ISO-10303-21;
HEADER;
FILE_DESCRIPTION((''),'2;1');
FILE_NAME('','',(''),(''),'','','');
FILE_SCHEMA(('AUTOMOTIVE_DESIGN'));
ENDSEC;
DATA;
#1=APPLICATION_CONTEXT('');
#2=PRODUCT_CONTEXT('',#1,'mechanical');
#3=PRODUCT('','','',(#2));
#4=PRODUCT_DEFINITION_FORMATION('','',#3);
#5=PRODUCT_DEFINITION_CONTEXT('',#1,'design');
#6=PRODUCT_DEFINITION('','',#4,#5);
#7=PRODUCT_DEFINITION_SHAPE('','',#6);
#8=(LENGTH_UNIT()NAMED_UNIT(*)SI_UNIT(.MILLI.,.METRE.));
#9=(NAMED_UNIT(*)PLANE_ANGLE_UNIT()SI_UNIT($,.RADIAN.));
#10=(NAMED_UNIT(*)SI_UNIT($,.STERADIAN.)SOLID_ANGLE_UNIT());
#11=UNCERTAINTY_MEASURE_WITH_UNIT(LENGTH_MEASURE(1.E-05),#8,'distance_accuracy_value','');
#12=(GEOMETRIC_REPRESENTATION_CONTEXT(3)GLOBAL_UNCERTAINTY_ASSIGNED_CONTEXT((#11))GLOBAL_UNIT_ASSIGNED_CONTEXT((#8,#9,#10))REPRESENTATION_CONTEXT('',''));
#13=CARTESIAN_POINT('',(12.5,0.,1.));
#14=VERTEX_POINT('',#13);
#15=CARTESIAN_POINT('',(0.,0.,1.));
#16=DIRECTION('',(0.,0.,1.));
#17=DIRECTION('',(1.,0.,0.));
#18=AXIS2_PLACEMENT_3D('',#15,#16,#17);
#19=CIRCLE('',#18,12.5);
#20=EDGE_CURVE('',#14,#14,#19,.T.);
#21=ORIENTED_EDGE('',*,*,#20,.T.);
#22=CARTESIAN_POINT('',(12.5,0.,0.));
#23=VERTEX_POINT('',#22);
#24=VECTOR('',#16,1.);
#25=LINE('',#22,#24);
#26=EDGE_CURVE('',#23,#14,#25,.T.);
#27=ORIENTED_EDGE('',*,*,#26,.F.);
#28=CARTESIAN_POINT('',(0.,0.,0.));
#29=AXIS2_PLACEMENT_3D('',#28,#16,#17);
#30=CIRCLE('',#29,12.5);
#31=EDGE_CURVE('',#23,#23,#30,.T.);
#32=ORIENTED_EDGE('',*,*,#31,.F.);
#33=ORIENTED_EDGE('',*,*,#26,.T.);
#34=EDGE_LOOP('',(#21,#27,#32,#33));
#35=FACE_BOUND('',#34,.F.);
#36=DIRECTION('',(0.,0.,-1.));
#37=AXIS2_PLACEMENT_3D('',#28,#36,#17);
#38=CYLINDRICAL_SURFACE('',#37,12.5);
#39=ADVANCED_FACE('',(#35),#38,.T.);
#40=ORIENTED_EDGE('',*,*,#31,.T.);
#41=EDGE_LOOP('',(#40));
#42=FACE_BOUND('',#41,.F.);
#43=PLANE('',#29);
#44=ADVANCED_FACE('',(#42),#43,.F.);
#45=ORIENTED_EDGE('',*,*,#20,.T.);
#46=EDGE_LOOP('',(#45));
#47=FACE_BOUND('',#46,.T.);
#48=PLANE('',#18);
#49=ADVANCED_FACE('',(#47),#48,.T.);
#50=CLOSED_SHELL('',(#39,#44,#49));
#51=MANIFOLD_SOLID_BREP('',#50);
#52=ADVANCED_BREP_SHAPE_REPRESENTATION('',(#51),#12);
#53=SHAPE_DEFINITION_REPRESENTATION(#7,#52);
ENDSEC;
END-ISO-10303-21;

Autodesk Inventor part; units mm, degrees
ref_plane "YZ Plane" through (0, 0, 0) normal (1, 0, 0) x (0, 1, 0)
ref_plane "XZ Plane" through (0, 0, 0) normal (0, 1, 0) x (-1, 0, 0)
ref_plane "Work Plane1" through (0, 0, 0) normal (0, 0, 1) x (1, 0, 0)
sketch "Sketch1" plane through (0, 0, 0) normal (0, 0, 1) x (1, 0, 0)
  circle A0 centre (0, 0) radius 11 construction
  circle A1 centre (0, 0) radius 12.5
  circle A2 centre (0, 0) radius 13 construction
  point P0 (0, 0)
  dimension "d0" = 0.5
extrude "Extrusion1" add sketch "Sketch1" along normal blind 1
properties part number "poly_filter" material "Polycarbonate, Smoke"
